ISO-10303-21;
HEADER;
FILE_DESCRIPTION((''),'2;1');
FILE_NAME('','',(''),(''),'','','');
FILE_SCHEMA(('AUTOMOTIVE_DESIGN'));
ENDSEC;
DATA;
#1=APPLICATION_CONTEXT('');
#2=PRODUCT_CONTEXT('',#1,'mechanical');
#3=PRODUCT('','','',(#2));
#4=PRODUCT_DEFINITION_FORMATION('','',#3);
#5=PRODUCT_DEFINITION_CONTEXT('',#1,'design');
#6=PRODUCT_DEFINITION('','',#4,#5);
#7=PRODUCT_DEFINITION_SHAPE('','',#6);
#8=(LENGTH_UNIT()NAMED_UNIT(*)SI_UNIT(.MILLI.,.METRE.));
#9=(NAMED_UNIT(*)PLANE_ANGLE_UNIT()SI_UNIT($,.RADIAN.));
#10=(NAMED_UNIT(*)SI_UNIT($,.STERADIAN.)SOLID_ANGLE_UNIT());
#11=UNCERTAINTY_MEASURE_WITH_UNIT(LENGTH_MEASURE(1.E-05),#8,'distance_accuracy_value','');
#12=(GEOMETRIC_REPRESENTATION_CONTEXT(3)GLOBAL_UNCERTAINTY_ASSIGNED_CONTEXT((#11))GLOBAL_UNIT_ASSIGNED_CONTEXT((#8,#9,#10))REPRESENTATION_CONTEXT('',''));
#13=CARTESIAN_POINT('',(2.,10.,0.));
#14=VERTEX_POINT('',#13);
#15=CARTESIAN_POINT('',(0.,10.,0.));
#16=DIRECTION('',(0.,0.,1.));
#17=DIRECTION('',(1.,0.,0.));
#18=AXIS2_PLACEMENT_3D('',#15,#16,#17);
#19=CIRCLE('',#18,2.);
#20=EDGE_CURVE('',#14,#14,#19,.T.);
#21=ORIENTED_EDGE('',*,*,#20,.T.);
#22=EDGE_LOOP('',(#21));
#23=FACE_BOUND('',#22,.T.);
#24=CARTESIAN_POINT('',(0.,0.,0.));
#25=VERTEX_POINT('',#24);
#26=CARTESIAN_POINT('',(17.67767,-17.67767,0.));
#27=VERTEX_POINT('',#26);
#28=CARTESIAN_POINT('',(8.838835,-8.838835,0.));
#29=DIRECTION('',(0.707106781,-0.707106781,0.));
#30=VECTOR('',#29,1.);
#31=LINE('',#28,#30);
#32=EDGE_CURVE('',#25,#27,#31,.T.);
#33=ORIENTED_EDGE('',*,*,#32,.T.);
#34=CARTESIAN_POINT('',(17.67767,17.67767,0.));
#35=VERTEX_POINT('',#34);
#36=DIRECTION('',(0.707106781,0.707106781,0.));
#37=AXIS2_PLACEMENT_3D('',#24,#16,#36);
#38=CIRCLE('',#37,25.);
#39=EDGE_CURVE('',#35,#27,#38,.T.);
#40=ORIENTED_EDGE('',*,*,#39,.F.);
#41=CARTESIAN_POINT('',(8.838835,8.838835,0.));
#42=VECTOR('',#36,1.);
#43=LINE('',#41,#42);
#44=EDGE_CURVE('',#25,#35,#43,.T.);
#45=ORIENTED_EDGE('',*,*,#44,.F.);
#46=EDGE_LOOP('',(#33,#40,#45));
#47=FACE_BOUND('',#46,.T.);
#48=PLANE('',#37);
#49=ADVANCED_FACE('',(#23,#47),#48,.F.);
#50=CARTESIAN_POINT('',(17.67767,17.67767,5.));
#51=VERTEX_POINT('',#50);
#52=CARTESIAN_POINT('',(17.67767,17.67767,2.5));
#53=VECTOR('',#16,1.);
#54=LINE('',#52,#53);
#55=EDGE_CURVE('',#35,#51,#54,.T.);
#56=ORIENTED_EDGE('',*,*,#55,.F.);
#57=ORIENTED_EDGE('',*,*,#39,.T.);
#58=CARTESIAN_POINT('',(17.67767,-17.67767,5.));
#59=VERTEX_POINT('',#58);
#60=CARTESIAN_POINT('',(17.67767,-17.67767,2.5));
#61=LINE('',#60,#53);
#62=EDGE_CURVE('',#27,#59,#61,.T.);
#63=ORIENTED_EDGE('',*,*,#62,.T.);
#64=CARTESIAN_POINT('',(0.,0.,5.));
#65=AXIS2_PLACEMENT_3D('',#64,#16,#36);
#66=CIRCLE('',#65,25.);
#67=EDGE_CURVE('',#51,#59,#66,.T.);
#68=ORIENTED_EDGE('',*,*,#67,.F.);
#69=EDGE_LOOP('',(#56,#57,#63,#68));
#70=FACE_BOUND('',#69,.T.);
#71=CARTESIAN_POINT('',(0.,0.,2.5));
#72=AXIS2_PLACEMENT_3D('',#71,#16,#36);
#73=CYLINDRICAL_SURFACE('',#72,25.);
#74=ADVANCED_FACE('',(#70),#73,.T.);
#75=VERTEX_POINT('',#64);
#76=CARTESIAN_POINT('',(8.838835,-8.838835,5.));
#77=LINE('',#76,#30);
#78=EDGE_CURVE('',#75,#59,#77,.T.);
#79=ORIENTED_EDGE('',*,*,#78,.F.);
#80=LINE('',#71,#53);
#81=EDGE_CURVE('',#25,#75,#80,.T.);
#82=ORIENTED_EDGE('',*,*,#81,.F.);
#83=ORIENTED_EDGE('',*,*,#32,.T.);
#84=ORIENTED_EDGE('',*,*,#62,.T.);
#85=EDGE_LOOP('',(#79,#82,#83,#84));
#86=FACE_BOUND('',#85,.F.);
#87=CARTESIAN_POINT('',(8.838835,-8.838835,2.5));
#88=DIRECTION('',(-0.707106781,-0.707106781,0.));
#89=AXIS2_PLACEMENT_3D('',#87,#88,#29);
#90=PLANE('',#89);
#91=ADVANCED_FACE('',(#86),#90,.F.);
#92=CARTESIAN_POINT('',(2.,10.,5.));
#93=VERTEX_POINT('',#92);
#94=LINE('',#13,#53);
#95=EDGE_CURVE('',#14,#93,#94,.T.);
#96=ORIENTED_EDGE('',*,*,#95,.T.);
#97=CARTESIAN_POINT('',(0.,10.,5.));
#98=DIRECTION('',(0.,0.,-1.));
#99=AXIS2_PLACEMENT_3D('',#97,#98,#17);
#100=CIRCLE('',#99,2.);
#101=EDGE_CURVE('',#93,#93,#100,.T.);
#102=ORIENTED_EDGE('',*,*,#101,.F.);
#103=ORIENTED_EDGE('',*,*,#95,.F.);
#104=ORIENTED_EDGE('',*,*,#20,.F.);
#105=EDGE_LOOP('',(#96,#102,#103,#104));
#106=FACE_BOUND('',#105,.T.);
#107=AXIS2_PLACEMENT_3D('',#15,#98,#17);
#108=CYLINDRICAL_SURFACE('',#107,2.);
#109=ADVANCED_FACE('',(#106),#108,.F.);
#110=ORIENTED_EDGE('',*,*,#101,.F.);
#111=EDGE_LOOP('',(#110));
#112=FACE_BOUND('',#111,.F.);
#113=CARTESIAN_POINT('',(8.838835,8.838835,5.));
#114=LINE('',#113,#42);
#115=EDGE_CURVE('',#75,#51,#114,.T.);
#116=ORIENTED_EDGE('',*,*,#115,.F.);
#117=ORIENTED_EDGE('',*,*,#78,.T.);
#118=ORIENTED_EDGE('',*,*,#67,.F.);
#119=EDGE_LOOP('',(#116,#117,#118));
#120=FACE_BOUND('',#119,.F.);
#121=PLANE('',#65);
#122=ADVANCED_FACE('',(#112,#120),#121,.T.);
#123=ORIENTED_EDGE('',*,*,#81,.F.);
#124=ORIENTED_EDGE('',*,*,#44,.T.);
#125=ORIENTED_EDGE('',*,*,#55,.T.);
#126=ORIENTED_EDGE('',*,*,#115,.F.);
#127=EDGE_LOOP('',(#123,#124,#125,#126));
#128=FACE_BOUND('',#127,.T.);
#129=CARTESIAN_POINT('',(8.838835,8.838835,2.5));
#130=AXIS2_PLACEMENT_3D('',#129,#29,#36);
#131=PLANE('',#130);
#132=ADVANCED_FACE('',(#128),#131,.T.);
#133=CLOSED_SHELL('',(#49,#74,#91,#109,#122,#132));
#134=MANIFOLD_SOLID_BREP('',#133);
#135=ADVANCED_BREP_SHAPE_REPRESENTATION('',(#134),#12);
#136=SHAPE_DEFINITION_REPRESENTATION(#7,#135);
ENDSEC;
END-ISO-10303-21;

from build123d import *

# Parameters (mm, degrees)
CYLINDER001_R            = 2
CYLINDER001_DEPTH        = 10
CYLINDER_W               = 25
CYLINDER_H               = 5
CYLINDER_ANGLE           = 270
CYLINDER_PLACEMENT_ANGLE = 45


with BuildPart() as cilindre001:
    # Cylinder001 → Cylinder001 (new body)
    with BuildSketch(Plane(origin=(0, 10, 0), x_dir=(1, 0, 0), z_dir=(0, 0, 1))):
        Circle(CYLINDER001_R)
    extrude(amount=CYLINDER001_DEPTH)


with BuildPart() as cut:
    # Cylinder → Cylinder (revolve)
    with BuildSketch(Plane.XZ):
        with Locations((12.5, 2.5)):
            Rectangle(CYLINDER_W, CYLINDER_H)
    revolve(axis=Axis((0, 0, 0), (0, 0, 1)), revolution_arc=CYLINDER_ANGLE)


with BuildPart() as cut_1:
    # Cylinder placement: moved
    add(cut.part.rotate(Axis((0, 0, 0), (0, 0, 1)), CYLINDER_PLACEMENT_ANGLE))

    # Cut: cut Cilindre001
    add(cilindre001.part, mode=Mode.SUBTRACT)


solid = cut_1.part
